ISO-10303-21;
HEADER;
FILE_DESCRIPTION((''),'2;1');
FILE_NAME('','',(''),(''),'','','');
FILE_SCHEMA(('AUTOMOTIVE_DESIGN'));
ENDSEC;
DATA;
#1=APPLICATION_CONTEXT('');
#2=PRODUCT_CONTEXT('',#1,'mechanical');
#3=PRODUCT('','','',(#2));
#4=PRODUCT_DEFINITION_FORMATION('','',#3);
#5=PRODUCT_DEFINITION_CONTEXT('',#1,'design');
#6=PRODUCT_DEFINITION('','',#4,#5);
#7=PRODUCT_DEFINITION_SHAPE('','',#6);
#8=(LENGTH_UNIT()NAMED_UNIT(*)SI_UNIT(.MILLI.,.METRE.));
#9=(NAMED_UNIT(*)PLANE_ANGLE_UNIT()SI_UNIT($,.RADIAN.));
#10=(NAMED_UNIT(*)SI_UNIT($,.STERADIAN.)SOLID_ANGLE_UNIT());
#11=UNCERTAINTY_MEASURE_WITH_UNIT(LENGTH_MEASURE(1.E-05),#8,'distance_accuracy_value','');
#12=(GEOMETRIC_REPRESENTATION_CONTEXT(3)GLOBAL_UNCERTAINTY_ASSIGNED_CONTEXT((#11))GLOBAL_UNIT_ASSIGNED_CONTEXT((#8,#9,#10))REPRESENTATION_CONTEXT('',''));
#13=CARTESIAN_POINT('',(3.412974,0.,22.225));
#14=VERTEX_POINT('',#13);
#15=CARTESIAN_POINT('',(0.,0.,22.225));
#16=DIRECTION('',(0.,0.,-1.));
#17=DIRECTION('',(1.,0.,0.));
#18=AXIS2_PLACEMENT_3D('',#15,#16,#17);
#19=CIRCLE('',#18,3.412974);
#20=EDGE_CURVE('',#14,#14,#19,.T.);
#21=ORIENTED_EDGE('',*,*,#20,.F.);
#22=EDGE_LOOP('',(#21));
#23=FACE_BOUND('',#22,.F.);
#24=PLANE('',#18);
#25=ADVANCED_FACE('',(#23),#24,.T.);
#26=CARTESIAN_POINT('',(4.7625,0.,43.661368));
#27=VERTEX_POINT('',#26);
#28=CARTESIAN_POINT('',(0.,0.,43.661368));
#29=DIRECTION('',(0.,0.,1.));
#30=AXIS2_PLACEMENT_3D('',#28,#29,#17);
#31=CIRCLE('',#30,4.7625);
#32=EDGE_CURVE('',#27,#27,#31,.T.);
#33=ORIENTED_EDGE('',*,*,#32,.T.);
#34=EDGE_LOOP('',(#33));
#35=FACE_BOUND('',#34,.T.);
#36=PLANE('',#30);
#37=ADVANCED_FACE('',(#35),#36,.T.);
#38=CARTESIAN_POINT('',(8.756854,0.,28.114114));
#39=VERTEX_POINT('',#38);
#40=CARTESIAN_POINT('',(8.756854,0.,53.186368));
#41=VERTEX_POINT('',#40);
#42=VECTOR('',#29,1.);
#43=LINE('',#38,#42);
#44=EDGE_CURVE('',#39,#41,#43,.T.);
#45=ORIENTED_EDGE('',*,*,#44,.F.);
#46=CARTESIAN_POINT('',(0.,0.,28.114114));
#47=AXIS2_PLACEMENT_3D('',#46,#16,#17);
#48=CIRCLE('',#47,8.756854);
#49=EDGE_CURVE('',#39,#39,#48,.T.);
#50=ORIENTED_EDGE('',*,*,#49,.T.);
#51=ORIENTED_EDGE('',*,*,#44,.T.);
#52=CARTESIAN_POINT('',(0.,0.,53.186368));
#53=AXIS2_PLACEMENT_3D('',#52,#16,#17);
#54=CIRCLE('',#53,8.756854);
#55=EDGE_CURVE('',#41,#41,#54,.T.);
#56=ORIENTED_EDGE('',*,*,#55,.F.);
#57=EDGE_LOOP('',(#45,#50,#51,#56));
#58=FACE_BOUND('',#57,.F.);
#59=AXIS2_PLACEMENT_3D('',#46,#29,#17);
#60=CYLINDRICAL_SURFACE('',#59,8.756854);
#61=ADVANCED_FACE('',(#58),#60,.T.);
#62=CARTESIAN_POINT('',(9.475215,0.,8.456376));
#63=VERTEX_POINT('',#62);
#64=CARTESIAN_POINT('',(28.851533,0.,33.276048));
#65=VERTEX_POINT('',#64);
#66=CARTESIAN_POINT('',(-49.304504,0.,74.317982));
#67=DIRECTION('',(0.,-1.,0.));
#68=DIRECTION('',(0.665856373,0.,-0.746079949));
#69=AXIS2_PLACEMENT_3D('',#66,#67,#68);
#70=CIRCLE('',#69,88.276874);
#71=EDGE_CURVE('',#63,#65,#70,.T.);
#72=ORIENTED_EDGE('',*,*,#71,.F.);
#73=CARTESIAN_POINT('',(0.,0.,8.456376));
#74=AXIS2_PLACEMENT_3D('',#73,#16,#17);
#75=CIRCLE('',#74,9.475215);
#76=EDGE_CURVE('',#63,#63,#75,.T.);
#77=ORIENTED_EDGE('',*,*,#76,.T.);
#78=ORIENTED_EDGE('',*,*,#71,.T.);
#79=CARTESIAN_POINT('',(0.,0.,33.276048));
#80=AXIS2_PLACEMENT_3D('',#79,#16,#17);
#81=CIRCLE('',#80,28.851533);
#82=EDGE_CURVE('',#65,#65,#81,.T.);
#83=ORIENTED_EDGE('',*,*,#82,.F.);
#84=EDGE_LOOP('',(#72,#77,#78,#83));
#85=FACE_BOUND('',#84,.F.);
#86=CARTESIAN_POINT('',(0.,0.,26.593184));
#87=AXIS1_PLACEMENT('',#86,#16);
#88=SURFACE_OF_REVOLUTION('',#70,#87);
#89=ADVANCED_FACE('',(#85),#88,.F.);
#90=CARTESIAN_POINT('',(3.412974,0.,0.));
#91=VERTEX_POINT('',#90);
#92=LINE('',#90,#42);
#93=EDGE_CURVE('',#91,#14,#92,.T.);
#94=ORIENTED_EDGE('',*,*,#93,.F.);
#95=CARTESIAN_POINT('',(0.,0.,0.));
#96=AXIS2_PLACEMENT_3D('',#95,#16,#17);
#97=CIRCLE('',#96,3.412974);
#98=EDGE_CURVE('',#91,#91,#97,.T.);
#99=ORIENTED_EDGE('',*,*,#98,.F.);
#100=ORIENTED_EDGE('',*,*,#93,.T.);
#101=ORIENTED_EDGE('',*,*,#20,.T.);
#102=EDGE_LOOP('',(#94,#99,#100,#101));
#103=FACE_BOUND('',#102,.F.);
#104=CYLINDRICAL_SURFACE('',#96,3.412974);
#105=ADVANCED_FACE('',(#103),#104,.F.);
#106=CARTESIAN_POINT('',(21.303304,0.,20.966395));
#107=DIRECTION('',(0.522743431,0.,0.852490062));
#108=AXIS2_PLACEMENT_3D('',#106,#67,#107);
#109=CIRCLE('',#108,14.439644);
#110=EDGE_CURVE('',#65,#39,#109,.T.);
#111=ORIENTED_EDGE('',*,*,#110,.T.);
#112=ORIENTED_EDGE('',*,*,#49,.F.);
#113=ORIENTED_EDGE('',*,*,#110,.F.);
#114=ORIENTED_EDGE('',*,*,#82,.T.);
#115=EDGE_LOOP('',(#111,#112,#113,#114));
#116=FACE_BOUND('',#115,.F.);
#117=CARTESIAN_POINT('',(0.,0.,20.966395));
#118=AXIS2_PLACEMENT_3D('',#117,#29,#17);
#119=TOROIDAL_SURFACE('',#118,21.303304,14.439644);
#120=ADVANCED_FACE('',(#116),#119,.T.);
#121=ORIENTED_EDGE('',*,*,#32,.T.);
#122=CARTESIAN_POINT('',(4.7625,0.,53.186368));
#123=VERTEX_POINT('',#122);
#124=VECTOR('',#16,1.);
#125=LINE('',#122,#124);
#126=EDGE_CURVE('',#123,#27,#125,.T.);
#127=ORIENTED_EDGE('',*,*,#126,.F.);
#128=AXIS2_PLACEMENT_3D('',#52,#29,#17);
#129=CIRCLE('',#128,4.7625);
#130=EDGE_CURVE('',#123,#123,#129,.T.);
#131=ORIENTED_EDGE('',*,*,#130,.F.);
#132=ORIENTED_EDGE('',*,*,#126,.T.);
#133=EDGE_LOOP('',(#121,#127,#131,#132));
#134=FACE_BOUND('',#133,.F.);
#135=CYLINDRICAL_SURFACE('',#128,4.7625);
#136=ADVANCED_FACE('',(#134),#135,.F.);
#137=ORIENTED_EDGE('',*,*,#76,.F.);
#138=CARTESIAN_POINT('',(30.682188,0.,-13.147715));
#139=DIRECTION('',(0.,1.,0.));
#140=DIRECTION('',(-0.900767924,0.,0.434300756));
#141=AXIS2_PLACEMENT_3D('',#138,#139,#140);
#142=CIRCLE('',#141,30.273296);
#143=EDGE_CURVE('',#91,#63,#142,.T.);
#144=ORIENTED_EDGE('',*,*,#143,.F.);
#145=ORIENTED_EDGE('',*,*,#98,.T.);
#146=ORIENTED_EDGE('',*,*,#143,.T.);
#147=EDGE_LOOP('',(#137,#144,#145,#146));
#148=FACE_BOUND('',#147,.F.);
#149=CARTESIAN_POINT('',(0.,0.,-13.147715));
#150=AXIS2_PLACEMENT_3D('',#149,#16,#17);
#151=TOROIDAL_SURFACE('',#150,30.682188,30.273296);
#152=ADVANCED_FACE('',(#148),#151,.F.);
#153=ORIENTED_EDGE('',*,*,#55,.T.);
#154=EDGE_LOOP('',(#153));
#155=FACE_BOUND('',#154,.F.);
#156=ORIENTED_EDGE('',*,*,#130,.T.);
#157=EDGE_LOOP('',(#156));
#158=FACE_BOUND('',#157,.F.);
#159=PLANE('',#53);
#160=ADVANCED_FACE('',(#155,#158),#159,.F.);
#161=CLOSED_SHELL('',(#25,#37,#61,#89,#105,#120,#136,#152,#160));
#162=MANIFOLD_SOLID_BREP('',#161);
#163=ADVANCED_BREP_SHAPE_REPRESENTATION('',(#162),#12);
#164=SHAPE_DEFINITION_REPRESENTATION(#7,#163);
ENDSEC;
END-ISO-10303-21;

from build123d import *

# Parameters (mm, degrees)
F3_DEPTH = 22.225
F2_R     = 4.7625
F4_DEPTH = 9.525


with BuildPart() as f1:
    # F0 (on Front) → F1 (revolve)
    with BuildSketch(Plane.XZ):
        with BuildLine():
            ThreePointArc((3.412974067, 0), (6.0780676214, 4.490586962), (9.4752153529, 8.4563759387))
            ThreePointArc((9.4752153529, 8.4563759387), (20.2789307242, 19.9953148359), (28.8515333086, 33.2760475576))
            ThreePointArc((28.8515333086, 33.2760475576), (17.7106806745, 34.9519719001), (8.7568536401, 28.1141139567))
            Line((8.7568536401, 28.1141139567), (8.7568536401, 53.1863681972))
            Line((8.7568536401, 53.1863681972), (0, 53.1863681972))
            Line((0, 53.1863681972), (0, 0))
            Line((0, 0), (3.412974067, 0))
        make_face()
    revolve(axis=Axis((0, 0, 26.5931840986), (0, 0, -1)))

    # F3 (cut): a face of the model
    f3_faces = [f1.faces().sort_by_distance(p)[0] for p in [
        (0, 0, 0),
    ]]
    extrude(f3_faces, amount=-F3_DEPTH, mode=Mode.SUBTRACT)

    # F2 (on face) → F4 (cut)
    with BuildSketch(Plane.XY.offset(53.1863681972)):
        Circle(F2_R)
    extrude(amount=-F4_DEPTH, mode=Mode.SUBTRACT)


solid = f1.part
